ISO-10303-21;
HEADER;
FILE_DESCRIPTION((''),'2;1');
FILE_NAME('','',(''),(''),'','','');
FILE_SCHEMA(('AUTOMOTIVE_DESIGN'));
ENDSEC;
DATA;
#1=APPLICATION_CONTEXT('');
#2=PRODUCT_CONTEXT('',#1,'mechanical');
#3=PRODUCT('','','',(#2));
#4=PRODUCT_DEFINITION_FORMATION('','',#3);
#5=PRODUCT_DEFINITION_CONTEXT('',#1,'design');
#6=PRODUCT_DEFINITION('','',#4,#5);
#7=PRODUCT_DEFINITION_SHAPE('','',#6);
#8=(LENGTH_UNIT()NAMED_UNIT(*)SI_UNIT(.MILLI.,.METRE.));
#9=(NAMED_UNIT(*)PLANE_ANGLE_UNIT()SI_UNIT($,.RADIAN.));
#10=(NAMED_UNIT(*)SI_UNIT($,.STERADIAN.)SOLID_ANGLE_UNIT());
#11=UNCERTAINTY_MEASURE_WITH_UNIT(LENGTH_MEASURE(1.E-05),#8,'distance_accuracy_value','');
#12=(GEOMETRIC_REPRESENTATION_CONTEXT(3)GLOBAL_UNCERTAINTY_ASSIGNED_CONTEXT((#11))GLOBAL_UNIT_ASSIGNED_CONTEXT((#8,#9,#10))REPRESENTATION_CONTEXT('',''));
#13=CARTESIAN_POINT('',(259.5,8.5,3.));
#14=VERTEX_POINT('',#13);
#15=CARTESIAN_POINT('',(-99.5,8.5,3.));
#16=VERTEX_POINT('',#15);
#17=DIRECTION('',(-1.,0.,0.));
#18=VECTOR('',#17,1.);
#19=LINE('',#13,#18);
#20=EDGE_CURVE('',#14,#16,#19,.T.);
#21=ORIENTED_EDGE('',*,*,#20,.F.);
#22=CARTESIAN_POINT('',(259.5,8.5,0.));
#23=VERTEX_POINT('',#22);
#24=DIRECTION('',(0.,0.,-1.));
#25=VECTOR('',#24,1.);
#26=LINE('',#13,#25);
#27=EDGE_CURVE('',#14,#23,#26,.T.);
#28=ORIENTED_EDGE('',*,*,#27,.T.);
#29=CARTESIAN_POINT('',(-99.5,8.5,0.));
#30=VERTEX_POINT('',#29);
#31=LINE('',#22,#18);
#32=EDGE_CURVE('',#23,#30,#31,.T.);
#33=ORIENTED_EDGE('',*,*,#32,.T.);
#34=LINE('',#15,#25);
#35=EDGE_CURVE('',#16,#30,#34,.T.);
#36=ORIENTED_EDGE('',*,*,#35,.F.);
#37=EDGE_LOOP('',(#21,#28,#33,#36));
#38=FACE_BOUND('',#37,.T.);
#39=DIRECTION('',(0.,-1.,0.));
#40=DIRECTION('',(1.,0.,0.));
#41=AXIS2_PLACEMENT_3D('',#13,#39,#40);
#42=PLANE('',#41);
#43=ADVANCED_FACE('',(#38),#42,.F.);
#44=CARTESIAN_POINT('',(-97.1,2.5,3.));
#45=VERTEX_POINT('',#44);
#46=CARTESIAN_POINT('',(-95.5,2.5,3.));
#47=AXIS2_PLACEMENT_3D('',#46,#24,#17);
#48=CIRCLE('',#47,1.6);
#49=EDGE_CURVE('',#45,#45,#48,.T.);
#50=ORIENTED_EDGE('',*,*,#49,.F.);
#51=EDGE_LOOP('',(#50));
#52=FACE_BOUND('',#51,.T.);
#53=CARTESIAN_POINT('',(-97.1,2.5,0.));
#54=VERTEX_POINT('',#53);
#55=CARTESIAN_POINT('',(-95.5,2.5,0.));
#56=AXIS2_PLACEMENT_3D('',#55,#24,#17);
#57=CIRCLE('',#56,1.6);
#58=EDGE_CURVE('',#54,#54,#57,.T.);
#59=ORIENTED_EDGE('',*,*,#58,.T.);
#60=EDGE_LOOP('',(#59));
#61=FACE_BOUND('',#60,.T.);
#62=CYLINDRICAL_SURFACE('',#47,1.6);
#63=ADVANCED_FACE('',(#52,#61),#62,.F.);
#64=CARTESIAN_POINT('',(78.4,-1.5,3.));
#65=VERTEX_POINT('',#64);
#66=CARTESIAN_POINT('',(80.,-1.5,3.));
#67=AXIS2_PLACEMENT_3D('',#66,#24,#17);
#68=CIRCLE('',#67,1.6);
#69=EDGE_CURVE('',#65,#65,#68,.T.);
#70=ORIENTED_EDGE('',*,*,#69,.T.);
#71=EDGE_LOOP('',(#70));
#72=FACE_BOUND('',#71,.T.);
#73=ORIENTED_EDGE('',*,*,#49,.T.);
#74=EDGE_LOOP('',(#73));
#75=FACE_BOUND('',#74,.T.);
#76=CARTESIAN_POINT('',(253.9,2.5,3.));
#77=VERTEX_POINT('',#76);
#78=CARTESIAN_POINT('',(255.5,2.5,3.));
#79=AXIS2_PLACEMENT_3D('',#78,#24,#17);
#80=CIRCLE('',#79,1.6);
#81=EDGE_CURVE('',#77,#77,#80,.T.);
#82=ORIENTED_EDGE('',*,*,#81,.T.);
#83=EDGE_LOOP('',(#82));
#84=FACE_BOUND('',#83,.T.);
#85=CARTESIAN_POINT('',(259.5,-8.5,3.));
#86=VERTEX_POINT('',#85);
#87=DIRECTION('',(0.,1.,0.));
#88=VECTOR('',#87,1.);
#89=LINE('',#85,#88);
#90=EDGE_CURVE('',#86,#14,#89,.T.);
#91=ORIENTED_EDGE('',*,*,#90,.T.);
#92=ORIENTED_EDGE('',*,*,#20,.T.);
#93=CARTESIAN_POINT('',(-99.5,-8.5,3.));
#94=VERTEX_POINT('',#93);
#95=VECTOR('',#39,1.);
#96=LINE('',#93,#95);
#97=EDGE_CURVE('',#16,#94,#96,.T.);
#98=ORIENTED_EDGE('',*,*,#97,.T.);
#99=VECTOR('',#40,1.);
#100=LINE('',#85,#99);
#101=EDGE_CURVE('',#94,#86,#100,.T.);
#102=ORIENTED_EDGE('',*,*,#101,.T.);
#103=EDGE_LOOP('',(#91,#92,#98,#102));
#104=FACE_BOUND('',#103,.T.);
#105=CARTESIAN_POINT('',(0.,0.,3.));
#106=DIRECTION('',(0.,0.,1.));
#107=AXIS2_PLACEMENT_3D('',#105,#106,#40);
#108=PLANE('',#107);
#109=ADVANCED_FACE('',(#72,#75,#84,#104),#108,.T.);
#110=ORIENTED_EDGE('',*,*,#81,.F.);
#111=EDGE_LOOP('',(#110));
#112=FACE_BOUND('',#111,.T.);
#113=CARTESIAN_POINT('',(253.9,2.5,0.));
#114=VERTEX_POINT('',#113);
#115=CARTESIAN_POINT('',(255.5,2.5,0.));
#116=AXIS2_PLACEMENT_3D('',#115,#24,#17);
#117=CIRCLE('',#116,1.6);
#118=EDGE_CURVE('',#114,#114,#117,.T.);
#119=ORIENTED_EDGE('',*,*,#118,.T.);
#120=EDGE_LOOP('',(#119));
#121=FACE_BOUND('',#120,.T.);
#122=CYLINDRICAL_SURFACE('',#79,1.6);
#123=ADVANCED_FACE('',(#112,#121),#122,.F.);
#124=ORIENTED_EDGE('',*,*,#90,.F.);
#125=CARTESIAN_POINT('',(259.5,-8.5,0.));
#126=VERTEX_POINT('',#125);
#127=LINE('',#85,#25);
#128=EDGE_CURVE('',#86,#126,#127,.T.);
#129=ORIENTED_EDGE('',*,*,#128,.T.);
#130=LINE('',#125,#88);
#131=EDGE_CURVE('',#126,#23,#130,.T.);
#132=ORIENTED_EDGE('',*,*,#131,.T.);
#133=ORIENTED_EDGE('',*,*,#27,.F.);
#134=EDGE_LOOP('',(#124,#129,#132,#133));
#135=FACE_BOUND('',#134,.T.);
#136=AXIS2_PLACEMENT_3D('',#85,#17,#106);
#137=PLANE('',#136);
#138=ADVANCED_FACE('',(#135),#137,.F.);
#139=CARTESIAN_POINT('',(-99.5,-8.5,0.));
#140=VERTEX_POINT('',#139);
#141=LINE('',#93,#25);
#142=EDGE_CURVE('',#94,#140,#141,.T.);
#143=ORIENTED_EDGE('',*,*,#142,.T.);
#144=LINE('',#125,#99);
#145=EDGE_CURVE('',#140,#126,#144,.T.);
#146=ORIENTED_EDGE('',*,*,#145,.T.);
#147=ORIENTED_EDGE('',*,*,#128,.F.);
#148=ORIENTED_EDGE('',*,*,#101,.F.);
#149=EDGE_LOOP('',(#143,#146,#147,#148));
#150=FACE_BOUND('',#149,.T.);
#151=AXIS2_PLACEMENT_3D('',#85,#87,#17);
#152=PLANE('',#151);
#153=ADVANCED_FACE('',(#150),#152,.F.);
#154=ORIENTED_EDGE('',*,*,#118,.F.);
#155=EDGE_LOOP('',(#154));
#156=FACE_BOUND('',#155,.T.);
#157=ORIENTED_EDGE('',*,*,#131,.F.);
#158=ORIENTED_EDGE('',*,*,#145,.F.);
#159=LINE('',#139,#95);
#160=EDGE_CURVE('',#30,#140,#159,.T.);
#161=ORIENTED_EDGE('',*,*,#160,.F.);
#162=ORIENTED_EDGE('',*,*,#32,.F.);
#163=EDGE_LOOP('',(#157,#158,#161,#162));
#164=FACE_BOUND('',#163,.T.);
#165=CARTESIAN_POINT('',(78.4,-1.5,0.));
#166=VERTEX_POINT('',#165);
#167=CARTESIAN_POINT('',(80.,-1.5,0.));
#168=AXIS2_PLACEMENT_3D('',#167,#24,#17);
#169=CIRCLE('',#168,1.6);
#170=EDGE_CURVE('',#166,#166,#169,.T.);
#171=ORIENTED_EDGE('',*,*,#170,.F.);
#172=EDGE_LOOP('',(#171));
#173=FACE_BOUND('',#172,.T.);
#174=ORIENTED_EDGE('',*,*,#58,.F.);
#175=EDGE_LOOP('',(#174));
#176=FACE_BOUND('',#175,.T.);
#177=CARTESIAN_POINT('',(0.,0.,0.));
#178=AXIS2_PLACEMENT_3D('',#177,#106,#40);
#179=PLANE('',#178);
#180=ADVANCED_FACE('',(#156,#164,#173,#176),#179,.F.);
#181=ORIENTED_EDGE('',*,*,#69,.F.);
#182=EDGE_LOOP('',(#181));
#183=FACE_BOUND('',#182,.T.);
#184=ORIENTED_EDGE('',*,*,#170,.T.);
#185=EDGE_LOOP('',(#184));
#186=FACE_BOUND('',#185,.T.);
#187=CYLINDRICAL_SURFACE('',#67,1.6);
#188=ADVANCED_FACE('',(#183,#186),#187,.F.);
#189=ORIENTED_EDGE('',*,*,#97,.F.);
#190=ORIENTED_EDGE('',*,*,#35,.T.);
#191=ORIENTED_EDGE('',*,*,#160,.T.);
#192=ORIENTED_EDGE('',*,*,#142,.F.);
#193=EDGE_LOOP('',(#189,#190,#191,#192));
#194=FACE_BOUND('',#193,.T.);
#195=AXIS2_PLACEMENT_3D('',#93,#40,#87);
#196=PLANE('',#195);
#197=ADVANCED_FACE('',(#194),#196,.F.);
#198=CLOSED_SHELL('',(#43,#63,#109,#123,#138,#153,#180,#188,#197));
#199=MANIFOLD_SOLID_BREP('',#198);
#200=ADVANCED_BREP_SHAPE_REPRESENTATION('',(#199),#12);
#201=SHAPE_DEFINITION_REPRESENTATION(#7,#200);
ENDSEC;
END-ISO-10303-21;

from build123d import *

# Parameters (mm, degrees)
ESQUISSE1_W        = 359
ESQUISSE1_H        = 17
BOSS_EXTRU_1_DEPTH = 3
SKETCH1_R          = 1.6
CUT_EXTRUDE1_DEPTH = 260.656503866
SKETCH2_R          = 1.6
CUT_EXTRUDE2_DEPTH = 260.656503866
SKETCH3_R          = 1.6
CUT_EXTRUDE3_DEPTH = 260.656503866


with BuildPart() as part:
    # Esquisse1 → Boss.-Extru.1 (new body)
    with BuildSketch(Plane.XY):
        with Locations((80, 0)):
            Rectangle(ESQUISSE1_W, ESQUISSE1_H)
    extrude(amount=BOSS_EXTRU_1_DEPTH)

    # Sketch1 → Cut-Extrude1 (cut, through all)
    with BuildSketch(Plane(origin=(0, 0, 0), x_dir=(-1, 0, 0), z_dir=(0, 0, -1))):
        with Locations((95.5, 2.5)):
            Circle(SKETCH1_R)
    extrude(amount=-CUT_EXTRUDE1_DEPTH, mode=Mode.SUBTRACT)

    # Sketch2 → Cut-Extrude2 (cut, through all)
    with BuildSketch(Plane(origin=(0, 0, 0), x_dir=(-1, 0, 0), z_dir=(0, 0, -1))):
        with Locations((-255.5, 2.5)):
            Circle(SKETCH2_R)
    extrude(amount=-CUT_EXTRUDE2_DEPTH, mode=Mode.SUBTRACT)

    # Sketch3 → Cut-Extrude3 (cut, through all)
    with BuildSketch(Plane(origin=(0, 0, 0), x_dir=(-1, 0, 0), z_dir=(0, 0, -1))):
        with Locations((-80, -1.5)):
            Circle(SKETCH3_R)
    extrude(amount=-CUT_EXTRUDE3_DEPTH, mode=Mode.SUBTRACT)


solid = part.part
